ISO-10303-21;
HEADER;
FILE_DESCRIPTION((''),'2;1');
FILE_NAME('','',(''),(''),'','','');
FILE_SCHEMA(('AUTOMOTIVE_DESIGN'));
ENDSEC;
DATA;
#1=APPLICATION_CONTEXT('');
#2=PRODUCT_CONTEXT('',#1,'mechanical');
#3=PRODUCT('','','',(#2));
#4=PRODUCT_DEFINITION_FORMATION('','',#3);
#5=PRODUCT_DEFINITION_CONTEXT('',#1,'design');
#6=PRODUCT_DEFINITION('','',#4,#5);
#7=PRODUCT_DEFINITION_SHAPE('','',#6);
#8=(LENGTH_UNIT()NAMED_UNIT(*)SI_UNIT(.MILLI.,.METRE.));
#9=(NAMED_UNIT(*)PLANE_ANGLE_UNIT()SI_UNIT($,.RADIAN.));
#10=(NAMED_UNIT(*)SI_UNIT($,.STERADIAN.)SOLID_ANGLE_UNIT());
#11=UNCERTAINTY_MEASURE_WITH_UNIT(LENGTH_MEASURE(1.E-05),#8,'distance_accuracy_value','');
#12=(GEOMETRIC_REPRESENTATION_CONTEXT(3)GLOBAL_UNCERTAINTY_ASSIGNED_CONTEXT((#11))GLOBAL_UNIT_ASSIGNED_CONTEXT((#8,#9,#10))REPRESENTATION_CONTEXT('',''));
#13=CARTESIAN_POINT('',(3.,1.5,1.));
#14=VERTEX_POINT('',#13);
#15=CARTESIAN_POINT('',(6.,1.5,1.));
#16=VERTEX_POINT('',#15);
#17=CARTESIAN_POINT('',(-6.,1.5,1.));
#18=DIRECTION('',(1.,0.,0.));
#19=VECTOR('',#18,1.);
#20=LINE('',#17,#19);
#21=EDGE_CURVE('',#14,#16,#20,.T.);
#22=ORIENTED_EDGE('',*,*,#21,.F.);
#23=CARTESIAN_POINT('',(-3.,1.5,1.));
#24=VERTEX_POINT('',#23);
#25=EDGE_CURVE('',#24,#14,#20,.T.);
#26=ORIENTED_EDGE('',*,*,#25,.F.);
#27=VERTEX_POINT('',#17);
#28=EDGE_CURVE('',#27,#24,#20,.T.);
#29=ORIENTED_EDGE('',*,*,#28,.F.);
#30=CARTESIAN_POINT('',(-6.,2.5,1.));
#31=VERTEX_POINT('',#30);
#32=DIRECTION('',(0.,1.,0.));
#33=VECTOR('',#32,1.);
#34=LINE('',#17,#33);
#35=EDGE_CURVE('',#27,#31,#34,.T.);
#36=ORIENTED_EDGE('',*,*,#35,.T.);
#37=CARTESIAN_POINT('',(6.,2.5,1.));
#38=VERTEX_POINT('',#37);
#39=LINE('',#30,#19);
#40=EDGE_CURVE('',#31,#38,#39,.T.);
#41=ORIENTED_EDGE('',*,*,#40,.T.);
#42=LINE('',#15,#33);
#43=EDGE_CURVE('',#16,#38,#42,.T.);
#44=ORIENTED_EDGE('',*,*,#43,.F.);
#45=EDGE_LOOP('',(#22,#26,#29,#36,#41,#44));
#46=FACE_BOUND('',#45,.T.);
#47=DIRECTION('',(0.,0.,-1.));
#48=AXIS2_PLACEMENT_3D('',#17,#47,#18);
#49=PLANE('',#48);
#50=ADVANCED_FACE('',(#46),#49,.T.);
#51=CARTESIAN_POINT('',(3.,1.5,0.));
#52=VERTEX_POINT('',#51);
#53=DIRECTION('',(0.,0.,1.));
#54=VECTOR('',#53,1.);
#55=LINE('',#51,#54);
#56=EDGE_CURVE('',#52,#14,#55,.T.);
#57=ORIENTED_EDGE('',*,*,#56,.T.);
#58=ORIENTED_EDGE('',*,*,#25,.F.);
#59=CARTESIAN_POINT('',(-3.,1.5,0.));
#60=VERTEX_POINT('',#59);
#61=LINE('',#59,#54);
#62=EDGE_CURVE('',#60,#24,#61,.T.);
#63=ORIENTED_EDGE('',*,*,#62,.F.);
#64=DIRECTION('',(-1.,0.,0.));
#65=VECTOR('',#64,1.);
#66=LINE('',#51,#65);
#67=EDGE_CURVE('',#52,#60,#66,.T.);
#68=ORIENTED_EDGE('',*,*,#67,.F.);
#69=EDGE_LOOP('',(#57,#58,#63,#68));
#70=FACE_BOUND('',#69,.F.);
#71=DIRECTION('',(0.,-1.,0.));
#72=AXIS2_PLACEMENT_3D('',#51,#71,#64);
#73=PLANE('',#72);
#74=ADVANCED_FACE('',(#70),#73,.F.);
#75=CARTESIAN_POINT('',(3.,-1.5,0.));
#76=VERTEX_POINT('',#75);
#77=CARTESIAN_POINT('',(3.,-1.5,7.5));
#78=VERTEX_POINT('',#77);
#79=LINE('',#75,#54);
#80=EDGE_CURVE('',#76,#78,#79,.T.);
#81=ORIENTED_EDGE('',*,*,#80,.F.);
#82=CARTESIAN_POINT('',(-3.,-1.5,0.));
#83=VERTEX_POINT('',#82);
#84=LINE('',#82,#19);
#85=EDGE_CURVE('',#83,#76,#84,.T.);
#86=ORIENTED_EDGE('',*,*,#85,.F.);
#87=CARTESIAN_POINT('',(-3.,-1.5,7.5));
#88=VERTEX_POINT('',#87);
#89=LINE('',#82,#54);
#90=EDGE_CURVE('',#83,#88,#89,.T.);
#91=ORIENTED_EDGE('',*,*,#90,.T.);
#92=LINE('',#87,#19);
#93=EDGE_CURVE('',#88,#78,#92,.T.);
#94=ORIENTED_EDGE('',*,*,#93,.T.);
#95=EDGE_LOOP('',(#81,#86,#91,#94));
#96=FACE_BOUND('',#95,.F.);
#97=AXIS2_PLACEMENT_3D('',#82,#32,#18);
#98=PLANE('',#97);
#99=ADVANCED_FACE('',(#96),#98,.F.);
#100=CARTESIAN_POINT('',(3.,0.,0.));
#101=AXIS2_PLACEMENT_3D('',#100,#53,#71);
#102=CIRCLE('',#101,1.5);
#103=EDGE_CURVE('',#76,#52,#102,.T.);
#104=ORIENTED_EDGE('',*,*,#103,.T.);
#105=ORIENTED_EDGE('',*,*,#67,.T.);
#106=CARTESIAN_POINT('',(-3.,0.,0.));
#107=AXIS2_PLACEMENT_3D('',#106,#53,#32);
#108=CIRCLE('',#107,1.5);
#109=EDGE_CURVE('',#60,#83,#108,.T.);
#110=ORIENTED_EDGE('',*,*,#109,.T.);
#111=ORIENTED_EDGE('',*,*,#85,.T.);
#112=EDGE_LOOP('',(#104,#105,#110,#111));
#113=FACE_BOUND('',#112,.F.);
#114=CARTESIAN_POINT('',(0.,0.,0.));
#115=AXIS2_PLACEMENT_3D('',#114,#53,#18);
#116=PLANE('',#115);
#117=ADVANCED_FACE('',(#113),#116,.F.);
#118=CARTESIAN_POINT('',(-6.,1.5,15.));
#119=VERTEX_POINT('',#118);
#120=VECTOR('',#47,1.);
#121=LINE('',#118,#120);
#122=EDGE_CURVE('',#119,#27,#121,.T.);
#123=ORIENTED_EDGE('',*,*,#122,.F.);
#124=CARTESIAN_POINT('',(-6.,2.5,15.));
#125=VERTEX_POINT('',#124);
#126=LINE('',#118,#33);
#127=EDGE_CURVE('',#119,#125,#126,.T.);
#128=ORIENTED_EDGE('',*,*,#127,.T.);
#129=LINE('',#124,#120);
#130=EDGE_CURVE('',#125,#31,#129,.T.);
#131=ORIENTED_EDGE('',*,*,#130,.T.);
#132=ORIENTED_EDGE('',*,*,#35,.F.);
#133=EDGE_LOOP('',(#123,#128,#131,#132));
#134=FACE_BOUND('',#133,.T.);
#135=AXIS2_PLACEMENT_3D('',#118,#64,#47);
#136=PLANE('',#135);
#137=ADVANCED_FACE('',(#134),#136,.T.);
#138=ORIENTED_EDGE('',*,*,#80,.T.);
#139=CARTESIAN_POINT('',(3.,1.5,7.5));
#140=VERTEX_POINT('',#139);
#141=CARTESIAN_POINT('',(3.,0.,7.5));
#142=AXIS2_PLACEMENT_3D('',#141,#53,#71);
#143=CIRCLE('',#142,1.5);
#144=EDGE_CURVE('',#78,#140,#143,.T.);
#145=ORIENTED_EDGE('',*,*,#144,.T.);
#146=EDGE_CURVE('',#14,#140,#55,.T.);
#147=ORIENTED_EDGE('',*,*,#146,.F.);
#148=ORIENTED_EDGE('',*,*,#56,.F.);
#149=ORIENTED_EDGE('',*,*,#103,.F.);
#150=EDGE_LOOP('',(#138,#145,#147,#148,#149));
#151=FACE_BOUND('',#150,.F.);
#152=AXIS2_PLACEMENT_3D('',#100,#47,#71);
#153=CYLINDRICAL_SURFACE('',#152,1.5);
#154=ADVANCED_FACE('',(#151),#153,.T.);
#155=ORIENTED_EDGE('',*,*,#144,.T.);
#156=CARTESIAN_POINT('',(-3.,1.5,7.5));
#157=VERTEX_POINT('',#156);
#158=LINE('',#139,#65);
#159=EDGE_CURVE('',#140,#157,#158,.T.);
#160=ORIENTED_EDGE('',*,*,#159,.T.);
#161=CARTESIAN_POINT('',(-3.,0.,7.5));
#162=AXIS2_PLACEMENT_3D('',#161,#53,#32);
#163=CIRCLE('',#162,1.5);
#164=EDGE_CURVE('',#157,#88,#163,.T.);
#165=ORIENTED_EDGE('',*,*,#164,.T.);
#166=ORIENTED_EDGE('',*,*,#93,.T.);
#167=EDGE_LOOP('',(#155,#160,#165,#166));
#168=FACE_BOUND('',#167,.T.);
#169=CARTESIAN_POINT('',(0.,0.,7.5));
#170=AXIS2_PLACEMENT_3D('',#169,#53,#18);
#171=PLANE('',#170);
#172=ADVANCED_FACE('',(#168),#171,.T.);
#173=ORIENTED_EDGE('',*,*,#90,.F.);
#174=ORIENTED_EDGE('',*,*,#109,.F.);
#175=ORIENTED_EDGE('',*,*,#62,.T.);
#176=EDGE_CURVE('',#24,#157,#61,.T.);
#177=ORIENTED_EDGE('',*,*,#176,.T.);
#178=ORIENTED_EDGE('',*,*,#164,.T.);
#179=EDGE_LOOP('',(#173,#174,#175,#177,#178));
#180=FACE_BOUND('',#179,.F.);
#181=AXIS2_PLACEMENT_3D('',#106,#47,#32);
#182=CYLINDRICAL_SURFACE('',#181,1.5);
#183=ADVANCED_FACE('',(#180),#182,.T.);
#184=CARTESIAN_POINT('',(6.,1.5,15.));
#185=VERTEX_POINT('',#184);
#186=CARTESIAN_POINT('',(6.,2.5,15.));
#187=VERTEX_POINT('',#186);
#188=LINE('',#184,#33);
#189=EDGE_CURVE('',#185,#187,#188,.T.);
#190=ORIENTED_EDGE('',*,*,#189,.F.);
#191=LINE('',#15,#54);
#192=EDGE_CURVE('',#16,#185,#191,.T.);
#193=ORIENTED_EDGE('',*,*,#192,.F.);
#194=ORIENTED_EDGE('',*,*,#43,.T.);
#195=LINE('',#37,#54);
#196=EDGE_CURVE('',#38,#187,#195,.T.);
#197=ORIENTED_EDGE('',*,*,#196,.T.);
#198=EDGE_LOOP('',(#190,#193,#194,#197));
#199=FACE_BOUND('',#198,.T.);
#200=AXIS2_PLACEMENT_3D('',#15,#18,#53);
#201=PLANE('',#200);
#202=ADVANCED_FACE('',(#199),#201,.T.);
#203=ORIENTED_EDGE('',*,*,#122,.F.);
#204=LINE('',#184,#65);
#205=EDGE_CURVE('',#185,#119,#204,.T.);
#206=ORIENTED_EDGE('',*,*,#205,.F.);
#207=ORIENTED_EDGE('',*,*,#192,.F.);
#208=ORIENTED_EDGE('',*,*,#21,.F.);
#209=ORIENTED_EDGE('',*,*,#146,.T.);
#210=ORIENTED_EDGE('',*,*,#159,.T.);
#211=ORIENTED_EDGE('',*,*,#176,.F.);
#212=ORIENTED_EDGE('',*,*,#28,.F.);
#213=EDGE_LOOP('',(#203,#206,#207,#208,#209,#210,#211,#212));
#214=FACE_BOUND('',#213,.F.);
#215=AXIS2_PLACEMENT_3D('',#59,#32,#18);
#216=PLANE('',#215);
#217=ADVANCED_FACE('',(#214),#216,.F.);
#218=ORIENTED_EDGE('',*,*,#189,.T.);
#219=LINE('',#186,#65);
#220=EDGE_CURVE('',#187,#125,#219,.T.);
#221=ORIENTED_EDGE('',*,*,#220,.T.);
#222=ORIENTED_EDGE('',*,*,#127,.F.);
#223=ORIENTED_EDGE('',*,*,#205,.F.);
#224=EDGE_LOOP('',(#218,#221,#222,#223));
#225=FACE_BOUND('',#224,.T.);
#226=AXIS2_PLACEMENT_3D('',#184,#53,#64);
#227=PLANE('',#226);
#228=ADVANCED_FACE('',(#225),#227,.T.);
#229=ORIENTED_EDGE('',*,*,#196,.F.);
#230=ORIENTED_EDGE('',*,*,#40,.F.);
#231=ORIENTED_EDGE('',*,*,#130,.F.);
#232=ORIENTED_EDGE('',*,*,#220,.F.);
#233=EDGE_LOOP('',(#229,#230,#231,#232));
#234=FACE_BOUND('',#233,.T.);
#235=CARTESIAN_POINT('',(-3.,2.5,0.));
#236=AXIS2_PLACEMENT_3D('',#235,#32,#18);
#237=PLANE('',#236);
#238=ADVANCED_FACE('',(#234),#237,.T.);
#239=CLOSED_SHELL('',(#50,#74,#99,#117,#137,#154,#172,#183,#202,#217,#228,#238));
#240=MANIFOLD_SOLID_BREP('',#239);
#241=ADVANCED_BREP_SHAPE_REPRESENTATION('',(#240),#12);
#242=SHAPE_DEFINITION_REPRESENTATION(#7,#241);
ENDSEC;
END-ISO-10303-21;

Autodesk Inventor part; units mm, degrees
ref_plane "YZ Plane" through (0, 0, 0) normal (1, 0, 0) x (0, 1, 0)
ref_plane "XZ Plane" through (0, 0, 0) normal (0, 1, 0) x (-1, 0, 0)
ref_plane "XY Plane" through (0, 0, 0) normal (0, 0, 1) x (1, 0, 0)
sketch "Sketch1" plane through (0, 0, 0) normal (0, 0, 1) x (1, 0, 0)
  line L0 (-3, 0) -> (3, 0) construction
  line L1 (-3, -1.5) -> (3, -1.5)
  line L2 (3, 1.5) -> (-3, 1.5)
  arc A0 (-3, 1.5) -> (-3, -1.5) centre (-3, 0) ccw
  arc A1 (3, -1.5) -> (3, 1.5) centre (3, 0) ccw
  point P0 (0, 0)
  point P1 (4.5, 0)
  point P2 (-4.5, 0)
  dimension "d0" = 3
  dimension "d1" = 9
extrude "Extrusion1" add sketch "Sketch1" along normal blind 7.5
sketch "Sketch2" plane through (-3, 1.5, 0) normal (0, 1, 0) x (1, 0, 0)
  line L0 (6, 0) -> (0, 0) construction
  line L1 (9, -15) -> (-3, -15)
  line L2 (-3, -15) -> (-3, -1)
  line L3 (-3, -1) -> (9, -1)
  line L4 (9, -1) -> (9, -15)
  line L5 (9, -15) -> (-3, -1) construction
  line L6 (-3, -15) -> (9, -1) construction
  point P0 (3, 0)
  point P1 (3, -8)
  point P2 (3, 0)
  dimension "d4" = 1
  dimension "d5" = 12
  dimension "d6" = 14
extrude "Extrusion2" add sketch "Sketch2" along normal blind 1
properties part number "usb" material "Acetal Resin, Black"
